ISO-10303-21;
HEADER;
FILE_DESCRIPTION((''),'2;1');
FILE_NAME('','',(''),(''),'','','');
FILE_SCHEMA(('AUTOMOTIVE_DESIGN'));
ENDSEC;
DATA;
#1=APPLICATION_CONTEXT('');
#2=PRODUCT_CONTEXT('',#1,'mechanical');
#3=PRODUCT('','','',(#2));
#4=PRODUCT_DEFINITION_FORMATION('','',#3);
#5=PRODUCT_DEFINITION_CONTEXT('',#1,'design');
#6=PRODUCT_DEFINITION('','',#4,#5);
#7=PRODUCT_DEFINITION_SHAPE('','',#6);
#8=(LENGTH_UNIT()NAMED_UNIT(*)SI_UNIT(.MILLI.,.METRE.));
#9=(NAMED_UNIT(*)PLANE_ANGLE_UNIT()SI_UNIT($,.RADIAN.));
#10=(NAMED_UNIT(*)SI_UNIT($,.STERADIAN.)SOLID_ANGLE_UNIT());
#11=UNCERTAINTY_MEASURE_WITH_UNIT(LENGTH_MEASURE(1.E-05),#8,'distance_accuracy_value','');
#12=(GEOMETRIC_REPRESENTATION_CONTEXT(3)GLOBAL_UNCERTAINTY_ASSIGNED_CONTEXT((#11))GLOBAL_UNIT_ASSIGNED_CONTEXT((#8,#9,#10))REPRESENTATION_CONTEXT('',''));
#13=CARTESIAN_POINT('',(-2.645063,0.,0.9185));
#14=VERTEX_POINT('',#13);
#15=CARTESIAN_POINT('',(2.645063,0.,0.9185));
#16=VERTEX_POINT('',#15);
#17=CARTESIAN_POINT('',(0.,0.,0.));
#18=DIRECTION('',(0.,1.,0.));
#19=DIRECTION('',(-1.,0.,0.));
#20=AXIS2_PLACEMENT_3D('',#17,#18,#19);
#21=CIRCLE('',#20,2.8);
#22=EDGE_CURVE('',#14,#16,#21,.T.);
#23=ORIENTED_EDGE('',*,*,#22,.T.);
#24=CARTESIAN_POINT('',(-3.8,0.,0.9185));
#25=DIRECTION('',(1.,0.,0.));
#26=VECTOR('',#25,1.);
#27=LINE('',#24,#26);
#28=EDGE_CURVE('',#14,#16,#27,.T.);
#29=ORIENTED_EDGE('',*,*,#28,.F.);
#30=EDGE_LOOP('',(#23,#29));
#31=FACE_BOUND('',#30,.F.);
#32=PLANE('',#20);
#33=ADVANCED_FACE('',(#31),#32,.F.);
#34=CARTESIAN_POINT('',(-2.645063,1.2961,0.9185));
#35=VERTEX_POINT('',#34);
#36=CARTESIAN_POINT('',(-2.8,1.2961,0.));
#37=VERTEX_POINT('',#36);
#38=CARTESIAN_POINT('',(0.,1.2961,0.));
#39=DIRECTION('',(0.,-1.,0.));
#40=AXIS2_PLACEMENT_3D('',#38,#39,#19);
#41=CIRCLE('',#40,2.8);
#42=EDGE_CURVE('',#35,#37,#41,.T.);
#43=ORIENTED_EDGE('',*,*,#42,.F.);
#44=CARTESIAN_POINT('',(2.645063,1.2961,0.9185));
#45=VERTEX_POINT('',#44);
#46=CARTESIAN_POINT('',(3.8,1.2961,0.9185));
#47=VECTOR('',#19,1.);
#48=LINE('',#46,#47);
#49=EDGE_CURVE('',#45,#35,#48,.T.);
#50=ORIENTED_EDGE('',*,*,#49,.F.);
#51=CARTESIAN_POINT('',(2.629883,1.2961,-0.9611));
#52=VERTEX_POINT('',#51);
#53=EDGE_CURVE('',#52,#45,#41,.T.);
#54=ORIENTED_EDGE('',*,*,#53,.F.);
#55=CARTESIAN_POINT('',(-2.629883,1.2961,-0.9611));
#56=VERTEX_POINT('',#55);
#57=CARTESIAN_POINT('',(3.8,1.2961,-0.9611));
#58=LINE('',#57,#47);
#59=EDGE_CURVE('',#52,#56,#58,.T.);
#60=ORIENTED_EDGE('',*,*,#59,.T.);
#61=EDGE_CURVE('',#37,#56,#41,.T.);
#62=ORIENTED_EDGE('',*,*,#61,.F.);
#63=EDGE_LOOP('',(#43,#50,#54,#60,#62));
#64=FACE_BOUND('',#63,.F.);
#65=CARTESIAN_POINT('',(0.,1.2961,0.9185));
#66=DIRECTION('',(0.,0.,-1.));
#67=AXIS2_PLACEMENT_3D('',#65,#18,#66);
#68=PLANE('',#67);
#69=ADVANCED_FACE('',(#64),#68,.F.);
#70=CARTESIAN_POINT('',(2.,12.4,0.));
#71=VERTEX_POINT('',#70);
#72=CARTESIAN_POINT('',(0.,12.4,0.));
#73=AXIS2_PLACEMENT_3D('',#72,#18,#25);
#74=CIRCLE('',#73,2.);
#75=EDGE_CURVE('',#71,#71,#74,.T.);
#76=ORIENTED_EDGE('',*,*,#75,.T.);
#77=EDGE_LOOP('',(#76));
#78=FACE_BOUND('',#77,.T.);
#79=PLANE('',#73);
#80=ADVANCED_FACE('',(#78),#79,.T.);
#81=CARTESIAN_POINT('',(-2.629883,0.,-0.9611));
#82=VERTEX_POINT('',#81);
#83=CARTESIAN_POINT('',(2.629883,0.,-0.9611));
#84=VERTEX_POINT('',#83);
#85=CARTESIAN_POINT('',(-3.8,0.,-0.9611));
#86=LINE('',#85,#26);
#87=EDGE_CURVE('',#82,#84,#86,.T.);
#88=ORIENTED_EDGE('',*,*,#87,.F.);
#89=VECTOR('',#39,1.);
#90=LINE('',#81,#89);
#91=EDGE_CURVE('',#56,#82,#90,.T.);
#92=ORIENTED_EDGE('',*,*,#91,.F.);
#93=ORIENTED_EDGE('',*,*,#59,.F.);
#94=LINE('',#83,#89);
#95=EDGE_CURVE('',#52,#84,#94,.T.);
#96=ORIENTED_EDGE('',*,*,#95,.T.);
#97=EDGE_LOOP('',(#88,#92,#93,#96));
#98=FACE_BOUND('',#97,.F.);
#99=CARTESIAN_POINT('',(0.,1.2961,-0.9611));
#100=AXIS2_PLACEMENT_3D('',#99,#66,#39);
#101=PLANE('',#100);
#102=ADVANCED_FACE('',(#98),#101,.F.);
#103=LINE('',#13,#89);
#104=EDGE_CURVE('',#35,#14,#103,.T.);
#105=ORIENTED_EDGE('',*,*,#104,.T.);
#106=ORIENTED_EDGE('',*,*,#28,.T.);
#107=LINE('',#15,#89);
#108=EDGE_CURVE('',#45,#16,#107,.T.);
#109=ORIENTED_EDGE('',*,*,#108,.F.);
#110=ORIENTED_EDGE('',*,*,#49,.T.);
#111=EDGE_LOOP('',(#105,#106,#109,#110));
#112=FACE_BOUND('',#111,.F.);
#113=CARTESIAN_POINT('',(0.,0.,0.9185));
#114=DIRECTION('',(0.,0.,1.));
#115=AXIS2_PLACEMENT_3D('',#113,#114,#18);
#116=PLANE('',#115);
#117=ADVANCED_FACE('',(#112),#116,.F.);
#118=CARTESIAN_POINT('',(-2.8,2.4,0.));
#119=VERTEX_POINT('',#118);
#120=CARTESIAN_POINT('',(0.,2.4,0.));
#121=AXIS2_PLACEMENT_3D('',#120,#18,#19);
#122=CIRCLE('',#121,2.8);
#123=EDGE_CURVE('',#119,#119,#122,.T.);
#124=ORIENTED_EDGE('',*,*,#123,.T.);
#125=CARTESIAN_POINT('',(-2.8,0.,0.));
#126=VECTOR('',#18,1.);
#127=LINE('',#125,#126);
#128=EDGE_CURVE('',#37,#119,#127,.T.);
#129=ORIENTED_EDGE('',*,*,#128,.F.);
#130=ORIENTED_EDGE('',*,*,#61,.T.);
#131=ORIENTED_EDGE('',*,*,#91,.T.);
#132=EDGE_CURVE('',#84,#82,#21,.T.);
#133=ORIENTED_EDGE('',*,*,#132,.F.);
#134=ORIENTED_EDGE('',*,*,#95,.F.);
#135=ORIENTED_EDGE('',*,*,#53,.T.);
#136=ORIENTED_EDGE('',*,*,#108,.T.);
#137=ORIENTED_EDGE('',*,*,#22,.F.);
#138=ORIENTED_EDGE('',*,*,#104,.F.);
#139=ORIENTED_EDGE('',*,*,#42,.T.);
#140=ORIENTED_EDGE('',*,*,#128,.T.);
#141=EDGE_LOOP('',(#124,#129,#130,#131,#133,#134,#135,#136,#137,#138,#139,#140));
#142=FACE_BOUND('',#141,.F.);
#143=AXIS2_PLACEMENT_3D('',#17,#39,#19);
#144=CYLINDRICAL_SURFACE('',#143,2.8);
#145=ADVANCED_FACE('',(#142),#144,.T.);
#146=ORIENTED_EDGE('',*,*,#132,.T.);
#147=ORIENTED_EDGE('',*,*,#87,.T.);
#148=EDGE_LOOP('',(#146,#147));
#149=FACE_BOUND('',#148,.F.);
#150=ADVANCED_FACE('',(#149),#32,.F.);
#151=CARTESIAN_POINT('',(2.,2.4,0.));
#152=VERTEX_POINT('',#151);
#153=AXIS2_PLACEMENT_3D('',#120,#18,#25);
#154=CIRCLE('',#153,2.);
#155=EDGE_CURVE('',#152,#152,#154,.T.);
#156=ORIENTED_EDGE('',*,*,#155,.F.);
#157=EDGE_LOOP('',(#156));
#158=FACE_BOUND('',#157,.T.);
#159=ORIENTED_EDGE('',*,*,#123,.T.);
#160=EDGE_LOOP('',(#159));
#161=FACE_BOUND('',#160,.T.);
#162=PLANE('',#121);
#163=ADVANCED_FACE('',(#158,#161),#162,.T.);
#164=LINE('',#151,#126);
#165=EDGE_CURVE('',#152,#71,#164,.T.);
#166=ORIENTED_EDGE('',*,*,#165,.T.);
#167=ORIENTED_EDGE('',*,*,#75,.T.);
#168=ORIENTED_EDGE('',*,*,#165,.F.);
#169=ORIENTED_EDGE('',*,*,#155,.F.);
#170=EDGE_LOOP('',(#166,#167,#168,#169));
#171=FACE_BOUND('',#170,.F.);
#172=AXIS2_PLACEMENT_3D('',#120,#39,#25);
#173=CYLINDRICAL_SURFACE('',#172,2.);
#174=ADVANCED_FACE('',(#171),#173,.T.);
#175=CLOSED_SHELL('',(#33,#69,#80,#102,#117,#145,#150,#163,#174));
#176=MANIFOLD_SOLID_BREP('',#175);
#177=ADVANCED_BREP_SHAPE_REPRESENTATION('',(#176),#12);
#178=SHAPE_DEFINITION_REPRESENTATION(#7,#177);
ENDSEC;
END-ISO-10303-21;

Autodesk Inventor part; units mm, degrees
ref_plane "YZ Plane" through (0, 0, 0) normal (1, 0, 0) x (0, 1, 0)
ref_plane "XZ Plane" through (0, 0, 0) normal (0, 1, 0) x (-1, 0, 0)
ref_plane "XY Plane" through (0, 0, 0) normal (0, 0, 1) x (1, 0, 0)
sketch "Esboço1" plane through (0, 0, 0) normal (0, 1, 0) x (-1, 0, 0)
  circle A0 centre (0, 0) radius 2.8
  dimension "d0" = 5.6
extrude "Extrusão1" add sketch "Esboço1" along normal blind 2.4
sketch "Esboço2" plane through (0, 0, 0) normal (1, 0, 0) x (0, 1, 0)
  line L0 (0, 0.9185) -> (1.2961, 0.9185)
  line L1 (1.2961, 0.9185) -> (1.2961, -0.9611)
  line L2 (1.2961, -0.9611) -> (0, -0.9611)
  line L3 (0, -0.9611) -> (0, 0.9185)
  point P0 (0, 0)
extrude "Extrusão2" cut sketch "Esboço2" along normal through all both and the other way through all
sketch "Esboço3" plane through (0, 2.4, 0) normal (0, 1, 0) x (1, 0, 0)
  circle A0 centre (0, 0) radius 2.8 projected
  circle A1 centre (0, 0) radius 2
  dimension "d5" = 4
extrude "Extrusão3" add sketch "Esboço3" along normal blind 10 contours A1
thread "Rosca1" size "M3x0.5" class "6g" standard "ANSI Metric M Profile" full length
properties part number "Parafuso-M4-10"
